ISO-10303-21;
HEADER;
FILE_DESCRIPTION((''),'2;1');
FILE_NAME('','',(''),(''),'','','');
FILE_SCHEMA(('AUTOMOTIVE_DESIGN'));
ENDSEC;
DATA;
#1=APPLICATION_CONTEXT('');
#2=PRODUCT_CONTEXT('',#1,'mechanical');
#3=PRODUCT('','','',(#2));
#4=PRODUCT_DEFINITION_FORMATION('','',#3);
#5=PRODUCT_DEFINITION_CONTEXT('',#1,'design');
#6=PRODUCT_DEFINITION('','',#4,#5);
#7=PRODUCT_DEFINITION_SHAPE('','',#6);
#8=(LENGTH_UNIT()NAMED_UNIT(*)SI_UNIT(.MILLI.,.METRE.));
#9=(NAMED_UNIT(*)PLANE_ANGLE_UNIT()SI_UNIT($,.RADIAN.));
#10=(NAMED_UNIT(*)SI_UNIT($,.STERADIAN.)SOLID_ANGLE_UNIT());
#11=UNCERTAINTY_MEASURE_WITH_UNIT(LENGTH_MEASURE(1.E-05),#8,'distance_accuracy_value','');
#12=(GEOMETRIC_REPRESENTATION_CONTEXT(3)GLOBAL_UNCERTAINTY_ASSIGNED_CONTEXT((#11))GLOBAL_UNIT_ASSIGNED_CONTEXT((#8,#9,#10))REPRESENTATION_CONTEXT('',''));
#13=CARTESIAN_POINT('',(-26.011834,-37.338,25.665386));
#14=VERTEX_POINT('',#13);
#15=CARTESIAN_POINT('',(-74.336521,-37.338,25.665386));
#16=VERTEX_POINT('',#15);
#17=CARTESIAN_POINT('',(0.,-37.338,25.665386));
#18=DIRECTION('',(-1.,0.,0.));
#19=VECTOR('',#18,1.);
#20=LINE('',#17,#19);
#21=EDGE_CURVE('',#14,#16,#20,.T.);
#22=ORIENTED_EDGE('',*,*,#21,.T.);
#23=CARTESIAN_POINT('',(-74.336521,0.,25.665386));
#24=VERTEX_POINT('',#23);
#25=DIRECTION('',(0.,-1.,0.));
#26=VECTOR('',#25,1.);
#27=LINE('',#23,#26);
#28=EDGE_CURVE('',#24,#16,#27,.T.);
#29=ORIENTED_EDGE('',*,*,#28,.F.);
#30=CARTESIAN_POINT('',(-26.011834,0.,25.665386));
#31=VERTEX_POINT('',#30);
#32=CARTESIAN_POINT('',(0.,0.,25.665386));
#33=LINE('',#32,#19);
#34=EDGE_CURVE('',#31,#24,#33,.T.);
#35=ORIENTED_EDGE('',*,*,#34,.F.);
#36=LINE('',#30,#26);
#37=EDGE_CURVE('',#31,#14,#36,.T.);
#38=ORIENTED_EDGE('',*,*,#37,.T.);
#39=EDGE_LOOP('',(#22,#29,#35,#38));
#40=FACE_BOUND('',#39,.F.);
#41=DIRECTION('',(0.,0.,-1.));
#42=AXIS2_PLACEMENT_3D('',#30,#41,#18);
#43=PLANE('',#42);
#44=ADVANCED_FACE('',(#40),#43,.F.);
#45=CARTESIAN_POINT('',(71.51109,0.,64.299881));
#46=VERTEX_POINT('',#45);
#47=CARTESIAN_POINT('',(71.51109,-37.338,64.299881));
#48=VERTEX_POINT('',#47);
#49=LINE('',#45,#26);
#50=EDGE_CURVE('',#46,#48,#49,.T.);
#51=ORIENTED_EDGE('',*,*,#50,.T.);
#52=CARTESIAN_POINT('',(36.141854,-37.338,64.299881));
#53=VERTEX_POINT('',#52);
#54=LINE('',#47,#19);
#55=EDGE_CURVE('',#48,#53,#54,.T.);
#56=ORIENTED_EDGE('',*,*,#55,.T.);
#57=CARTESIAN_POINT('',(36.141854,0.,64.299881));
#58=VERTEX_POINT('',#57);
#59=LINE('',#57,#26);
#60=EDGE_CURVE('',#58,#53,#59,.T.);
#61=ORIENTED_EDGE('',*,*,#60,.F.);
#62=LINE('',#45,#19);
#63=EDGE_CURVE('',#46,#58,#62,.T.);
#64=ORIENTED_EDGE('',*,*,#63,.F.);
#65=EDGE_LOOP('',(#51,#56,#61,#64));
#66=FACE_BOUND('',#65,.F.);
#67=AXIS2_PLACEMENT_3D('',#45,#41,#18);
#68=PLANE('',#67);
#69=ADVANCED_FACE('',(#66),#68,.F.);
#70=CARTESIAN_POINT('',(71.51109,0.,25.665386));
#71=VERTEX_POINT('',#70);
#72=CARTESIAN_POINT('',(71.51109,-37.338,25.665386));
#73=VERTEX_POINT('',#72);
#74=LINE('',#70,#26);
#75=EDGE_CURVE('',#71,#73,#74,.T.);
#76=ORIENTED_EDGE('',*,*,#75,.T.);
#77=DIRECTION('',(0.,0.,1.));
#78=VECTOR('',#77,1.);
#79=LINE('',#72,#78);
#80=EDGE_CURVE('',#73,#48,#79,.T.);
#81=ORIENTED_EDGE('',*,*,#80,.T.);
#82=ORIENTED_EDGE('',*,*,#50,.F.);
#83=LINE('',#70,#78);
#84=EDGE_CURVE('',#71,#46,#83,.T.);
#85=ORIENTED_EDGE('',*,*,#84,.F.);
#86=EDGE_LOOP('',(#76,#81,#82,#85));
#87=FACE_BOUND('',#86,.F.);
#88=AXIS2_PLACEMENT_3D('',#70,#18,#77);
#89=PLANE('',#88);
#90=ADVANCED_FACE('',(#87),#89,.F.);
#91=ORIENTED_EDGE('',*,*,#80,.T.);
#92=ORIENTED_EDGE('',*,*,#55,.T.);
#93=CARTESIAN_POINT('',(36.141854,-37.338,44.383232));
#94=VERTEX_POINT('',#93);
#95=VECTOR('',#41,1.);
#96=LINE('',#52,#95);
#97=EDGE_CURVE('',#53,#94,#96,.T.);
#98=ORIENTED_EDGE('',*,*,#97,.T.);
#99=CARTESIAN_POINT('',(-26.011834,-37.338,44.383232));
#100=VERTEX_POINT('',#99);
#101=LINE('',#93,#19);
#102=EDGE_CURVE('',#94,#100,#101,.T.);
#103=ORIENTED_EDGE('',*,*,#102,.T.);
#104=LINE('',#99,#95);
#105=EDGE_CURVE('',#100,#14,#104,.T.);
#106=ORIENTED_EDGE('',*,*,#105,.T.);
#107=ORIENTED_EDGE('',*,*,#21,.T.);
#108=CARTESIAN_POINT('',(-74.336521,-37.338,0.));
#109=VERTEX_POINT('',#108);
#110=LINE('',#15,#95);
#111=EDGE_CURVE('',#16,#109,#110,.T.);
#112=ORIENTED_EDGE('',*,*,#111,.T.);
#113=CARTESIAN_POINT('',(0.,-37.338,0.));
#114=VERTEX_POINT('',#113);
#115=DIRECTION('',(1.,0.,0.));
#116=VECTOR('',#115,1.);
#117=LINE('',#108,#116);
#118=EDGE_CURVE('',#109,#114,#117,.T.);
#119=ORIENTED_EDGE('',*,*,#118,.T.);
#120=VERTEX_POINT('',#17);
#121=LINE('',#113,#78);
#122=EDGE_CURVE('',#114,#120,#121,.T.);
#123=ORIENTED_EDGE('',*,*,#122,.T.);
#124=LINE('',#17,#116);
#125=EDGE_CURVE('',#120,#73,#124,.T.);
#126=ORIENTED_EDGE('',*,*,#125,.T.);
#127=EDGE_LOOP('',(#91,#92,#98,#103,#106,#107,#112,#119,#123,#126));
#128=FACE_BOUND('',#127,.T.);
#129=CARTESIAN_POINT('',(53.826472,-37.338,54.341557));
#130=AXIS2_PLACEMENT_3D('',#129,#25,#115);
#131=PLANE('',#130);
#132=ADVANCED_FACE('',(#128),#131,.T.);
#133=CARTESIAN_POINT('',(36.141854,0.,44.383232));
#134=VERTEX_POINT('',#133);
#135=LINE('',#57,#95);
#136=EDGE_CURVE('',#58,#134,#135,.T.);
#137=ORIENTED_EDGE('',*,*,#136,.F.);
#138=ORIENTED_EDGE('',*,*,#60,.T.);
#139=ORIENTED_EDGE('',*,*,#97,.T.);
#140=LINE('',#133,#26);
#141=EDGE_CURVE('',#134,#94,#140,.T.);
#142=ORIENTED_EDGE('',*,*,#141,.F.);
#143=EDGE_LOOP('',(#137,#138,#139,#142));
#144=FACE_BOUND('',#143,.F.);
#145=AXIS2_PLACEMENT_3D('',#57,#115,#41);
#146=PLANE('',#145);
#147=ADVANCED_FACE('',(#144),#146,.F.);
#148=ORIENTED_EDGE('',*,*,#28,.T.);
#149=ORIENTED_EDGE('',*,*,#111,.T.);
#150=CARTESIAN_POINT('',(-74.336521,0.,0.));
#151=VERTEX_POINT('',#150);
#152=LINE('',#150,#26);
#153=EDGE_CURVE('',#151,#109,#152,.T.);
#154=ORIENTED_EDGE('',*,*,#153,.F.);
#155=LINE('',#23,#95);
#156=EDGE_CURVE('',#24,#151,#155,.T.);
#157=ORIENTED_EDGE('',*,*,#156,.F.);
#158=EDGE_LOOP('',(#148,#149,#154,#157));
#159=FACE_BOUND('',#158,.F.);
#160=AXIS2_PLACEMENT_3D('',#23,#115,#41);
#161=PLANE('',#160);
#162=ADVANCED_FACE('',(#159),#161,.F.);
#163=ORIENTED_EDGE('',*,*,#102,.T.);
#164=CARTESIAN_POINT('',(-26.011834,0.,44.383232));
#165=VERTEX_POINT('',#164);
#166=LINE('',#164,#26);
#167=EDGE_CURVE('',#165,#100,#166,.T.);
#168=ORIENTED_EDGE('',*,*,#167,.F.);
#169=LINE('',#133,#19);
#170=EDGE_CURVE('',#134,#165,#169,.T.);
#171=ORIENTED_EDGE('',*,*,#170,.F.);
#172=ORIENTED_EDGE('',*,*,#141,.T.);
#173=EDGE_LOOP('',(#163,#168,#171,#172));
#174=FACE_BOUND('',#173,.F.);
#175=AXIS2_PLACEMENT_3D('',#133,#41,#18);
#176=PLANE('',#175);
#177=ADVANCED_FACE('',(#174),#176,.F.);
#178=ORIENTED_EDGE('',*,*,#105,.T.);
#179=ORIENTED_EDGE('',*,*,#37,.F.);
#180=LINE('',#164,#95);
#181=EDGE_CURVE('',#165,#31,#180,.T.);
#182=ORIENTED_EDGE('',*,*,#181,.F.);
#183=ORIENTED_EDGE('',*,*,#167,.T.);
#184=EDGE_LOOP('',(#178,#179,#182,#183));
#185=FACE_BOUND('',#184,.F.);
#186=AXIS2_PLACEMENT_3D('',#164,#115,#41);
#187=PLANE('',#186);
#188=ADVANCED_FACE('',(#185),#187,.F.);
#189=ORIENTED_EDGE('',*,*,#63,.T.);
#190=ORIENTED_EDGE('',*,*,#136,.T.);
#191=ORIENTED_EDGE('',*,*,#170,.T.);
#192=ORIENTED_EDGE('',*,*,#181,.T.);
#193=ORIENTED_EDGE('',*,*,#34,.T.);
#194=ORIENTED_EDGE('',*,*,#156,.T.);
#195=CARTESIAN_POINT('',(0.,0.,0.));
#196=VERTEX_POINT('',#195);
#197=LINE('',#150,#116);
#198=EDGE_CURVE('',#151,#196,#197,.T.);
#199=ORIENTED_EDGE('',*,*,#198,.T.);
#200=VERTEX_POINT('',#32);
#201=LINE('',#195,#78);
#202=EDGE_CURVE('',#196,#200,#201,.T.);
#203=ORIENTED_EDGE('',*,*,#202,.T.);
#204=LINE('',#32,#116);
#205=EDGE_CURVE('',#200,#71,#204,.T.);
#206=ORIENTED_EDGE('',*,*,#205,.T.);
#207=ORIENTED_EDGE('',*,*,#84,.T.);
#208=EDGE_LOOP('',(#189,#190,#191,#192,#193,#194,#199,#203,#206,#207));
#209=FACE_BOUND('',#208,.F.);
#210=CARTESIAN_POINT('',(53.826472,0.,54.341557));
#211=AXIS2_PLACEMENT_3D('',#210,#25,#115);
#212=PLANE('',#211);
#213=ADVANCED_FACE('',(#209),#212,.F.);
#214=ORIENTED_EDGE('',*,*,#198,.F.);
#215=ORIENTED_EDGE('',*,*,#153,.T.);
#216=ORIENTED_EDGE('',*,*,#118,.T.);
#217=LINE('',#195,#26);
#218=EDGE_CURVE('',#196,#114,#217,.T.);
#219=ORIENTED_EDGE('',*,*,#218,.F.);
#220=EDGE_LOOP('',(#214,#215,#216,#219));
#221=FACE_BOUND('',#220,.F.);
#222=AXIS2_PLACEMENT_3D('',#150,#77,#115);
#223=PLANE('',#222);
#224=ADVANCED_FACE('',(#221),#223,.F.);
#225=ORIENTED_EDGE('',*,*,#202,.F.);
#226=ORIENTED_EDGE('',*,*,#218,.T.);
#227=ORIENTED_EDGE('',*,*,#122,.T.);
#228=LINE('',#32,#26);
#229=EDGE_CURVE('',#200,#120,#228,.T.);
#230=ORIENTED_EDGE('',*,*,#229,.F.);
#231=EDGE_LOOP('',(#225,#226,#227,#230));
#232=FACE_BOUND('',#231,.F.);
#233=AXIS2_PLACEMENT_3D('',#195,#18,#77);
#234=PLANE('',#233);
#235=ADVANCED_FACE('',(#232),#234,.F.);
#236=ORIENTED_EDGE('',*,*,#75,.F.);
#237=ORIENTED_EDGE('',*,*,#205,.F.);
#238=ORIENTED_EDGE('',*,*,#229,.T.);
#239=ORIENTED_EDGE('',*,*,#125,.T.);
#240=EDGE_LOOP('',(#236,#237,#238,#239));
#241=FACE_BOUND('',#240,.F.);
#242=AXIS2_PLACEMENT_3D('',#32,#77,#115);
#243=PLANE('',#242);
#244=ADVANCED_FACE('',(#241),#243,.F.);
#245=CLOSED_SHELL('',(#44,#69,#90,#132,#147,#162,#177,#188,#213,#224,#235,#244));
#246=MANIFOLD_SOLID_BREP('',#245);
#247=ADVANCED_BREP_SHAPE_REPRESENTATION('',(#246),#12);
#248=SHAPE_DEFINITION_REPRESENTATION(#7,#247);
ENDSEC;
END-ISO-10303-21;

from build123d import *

# Parameters (mm, degrees)
F1_DEPTH = 37.338


with BuildPart() as f1:
    # F0 (on Front) → F1 (new body)
    with BuildSketch(Plane.XZ):
        Polygon((36.141854, 44.383232), (71.51109, 44.383232), (71.51109, 64.299881), (53.826472, 64.299881), (36.141854, 64.299881), align=None)
        Polygon((-74.336521, 0), (0, 0), (0, 25.665386), (-26.011834, 25.665386), (-74.336521, 25.665386), align=None)
        Polygon((-26.011834, 25.665386), (0, 25.665386), (71.51109, 25.665386), (71.51109, 44.383232), (36.141854, 44.383232), (-26.011834, 44.383232), align=None)
    extrude(amount=F1_DEPTH)


solid = f1.part
